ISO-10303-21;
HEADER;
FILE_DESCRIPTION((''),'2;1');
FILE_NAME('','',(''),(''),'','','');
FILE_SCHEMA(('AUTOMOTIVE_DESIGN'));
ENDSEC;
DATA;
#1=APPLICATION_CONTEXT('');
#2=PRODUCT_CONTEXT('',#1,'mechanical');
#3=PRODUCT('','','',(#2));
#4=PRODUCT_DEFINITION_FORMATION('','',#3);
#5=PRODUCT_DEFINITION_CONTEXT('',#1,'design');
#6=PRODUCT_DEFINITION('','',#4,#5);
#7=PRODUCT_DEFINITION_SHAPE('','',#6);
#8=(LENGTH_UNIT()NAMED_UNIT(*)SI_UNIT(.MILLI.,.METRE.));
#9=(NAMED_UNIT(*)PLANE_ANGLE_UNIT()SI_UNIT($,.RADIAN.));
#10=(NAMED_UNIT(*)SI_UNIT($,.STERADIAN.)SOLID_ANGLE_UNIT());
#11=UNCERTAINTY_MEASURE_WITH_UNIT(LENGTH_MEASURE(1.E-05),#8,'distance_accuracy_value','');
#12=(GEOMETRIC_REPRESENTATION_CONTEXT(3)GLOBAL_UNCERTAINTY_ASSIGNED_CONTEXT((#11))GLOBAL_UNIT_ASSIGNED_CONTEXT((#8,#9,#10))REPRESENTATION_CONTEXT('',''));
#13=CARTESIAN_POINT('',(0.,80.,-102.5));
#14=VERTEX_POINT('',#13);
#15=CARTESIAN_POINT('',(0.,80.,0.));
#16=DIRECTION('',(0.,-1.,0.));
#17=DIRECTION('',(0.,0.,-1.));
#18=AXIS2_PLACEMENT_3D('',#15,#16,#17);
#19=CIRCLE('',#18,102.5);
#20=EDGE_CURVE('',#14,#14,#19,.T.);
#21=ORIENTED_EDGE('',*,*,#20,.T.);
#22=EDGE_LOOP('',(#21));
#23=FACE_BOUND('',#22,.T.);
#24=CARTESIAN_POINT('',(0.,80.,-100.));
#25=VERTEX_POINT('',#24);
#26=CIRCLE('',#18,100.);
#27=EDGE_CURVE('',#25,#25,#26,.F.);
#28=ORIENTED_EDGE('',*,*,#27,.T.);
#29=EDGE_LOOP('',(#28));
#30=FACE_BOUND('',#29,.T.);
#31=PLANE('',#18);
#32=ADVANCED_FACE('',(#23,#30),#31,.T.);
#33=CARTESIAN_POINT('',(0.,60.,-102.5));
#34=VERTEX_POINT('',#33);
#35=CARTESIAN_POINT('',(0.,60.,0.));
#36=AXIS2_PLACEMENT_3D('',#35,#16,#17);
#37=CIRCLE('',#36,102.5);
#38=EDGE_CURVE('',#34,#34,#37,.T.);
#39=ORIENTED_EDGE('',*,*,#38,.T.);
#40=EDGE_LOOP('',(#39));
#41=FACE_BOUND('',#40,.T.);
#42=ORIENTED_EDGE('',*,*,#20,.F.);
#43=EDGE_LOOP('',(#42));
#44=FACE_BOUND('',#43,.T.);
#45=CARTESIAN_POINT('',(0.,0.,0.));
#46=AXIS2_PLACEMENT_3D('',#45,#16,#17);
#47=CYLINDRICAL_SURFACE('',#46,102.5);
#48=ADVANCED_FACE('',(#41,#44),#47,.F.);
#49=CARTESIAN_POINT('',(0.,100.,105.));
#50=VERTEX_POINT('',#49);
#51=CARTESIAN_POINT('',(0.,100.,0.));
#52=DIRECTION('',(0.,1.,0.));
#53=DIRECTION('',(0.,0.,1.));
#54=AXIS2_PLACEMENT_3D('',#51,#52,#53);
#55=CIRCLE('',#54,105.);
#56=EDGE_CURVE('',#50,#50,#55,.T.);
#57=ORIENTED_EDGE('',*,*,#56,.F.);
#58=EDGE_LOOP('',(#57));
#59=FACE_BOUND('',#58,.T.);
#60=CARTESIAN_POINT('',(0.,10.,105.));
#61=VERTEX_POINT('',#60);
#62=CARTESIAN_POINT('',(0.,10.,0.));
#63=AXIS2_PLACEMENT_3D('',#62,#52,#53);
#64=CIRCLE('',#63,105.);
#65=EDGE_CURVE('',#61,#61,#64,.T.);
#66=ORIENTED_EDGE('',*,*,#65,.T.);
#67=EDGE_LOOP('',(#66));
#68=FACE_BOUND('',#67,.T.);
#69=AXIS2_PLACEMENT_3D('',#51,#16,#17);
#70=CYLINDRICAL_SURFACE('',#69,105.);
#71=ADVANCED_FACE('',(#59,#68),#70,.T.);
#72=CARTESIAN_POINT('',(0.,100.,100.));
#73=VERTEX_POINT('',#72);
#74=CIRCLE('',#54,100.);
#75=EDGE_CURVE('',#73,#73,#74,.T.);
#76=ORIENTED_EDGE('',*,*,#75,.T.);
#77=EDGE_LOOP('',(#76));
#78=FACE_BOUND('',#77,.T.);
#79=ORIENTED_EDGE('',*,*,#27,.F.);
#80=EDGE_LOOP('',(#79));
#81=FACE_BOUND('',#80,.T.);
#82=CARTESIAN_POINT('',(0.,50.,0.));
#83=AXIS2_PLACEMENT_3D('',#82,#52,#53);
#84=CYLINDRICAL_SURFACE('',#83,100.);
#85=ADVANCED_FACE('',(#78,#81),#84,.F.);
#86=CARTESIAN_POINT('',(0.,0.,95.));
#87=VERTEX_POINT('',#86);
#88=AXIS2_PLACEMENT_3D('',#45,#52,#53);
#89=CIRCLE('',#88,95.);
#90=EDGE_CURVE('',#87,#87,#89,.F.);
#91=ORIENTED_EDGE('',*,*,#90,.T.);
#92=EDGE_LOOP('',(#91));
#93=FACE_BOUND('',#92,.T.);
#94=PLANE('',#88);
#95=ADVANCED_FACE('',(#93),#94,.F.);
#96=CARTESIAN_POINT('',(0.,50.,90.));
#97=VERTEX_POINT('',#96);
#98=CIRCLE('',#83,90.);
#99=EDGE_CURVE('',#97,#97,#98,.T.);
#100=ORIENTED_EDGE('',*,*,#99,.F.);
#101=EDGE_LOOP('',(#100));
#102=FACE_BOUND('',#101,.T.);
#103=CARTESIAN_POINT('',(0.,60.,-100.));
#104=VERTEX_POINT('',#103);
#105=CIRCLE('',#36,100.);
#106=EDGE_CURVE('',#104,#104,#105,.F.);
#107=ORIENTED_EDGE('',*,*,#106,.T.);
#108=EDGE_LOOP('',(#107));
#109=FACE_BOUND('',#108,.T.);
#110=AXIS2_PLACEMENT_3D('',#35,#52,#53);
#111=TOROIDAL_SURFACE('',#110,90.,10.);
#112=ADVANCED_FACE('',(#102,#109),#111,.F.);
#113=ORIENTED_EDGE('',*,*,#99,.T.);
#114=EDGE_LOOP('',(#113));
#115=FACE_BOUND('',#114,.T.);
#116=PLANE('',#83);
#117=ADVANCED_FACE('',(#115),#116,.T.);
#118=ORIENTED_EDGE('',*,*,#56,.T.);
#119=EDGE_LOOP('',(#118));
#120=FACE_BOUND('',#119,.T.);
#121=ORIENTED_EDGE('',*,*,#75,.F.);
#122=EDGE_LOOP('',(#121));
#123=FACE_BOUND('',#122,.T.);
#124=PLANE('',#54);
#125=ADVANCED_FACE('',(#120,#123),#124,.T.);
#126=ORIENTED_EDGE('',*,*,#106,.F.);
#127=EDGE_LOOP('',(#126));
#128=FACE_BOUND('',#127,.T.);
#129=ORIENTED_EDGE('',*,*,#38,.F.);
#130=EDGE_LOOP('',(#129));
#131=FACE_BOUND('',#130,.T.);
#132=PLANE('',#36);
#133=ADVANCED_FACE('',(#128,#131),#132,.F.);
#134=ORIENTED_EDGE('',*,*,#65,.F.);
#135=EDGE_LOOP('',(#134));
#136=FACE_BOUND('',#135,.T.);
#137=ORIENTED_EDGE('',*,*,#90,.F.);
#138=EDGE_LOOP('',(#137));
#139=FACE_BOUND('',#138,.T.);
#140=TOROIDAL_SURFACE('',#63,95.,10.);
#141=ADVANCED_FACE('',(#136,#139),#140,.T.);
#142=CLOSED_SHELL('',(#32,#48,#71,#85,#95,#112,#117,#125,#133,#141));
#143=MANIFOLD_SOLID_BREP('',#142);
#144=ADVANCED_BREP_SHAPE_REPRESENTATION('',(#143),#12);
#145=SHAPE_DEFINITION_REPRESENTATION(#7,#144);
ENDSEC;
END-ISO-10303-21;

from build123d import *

# Parameters (mm, degrees)
SKETCH1_R           = 105
BOSS_EXTRUDE2_DEPTH = 100
SKETCH2_R           = 100
CUT_EXTRUDE2_DEPTH  = 50
FILLET1_R           = 10
FILLET2_R           = 10


with BuildPart() as part:
    # Sketch1 → Boss-Extrude2 (new body)
    with BuildSketch(Plane(origin=(0, 0, 0), x_dir=(1, 0, 0), z_dir=(0, 1, 0))):
        with Locations(Location((0, 0, 0), (0, 0, 270))):
            Circle(SKETCH1_R)
    extrude(amount=BOSS_EXTRUDE2_DEPTH)

    # Sketch2 → Cut-Extrude2 (cut)
    with BuildSketch(Plane(origin=(0, 100, 0), x_dir=(1, 0, 0), z_dir=(0, 1, 0))):
        with Locations(Location((0, 0, 0), (0, 0, 270))):
            Circle(SKETCH2_R)
    extrude(amount=-CUT_EXTRUDE2_DEPTH, mode=Mode.SUBTRACT)

    # Fillet1
    fillet1_edges = [part.edges().sort_by_distance(p)[0] for p in [
        (0, 50, -100),
    ]]
    fillet(fillet1_edges, radius=FILLET1_R)

    # Fillet2
    fillet2_edges = [part.edges().sort_by_distance(p)[0] for p in [
        (0, 0, -105),
    ]]
    fillet(fillet2_edges, radius=FILLET2_R)

    # Sketch4 → Cut-Revolve1 (revolve, cut)
    with BuildSketch(Plane.XY, mode=Mode.PRIVATE) as cut_revolve1_sk:
        Polygon((0, 80), (0, 63), (0, 60), (102.5, 60), (102.5, 80), align=None)
    revolve(cut_revolve1_sk.sketch.rotate(Axis((0, 0, 0), (0, 1, 0)), 270), axis=Axis((0, 0, 0), (0, 1, 0)), mode=Mode.SUBTRACT)


solid = part.part
